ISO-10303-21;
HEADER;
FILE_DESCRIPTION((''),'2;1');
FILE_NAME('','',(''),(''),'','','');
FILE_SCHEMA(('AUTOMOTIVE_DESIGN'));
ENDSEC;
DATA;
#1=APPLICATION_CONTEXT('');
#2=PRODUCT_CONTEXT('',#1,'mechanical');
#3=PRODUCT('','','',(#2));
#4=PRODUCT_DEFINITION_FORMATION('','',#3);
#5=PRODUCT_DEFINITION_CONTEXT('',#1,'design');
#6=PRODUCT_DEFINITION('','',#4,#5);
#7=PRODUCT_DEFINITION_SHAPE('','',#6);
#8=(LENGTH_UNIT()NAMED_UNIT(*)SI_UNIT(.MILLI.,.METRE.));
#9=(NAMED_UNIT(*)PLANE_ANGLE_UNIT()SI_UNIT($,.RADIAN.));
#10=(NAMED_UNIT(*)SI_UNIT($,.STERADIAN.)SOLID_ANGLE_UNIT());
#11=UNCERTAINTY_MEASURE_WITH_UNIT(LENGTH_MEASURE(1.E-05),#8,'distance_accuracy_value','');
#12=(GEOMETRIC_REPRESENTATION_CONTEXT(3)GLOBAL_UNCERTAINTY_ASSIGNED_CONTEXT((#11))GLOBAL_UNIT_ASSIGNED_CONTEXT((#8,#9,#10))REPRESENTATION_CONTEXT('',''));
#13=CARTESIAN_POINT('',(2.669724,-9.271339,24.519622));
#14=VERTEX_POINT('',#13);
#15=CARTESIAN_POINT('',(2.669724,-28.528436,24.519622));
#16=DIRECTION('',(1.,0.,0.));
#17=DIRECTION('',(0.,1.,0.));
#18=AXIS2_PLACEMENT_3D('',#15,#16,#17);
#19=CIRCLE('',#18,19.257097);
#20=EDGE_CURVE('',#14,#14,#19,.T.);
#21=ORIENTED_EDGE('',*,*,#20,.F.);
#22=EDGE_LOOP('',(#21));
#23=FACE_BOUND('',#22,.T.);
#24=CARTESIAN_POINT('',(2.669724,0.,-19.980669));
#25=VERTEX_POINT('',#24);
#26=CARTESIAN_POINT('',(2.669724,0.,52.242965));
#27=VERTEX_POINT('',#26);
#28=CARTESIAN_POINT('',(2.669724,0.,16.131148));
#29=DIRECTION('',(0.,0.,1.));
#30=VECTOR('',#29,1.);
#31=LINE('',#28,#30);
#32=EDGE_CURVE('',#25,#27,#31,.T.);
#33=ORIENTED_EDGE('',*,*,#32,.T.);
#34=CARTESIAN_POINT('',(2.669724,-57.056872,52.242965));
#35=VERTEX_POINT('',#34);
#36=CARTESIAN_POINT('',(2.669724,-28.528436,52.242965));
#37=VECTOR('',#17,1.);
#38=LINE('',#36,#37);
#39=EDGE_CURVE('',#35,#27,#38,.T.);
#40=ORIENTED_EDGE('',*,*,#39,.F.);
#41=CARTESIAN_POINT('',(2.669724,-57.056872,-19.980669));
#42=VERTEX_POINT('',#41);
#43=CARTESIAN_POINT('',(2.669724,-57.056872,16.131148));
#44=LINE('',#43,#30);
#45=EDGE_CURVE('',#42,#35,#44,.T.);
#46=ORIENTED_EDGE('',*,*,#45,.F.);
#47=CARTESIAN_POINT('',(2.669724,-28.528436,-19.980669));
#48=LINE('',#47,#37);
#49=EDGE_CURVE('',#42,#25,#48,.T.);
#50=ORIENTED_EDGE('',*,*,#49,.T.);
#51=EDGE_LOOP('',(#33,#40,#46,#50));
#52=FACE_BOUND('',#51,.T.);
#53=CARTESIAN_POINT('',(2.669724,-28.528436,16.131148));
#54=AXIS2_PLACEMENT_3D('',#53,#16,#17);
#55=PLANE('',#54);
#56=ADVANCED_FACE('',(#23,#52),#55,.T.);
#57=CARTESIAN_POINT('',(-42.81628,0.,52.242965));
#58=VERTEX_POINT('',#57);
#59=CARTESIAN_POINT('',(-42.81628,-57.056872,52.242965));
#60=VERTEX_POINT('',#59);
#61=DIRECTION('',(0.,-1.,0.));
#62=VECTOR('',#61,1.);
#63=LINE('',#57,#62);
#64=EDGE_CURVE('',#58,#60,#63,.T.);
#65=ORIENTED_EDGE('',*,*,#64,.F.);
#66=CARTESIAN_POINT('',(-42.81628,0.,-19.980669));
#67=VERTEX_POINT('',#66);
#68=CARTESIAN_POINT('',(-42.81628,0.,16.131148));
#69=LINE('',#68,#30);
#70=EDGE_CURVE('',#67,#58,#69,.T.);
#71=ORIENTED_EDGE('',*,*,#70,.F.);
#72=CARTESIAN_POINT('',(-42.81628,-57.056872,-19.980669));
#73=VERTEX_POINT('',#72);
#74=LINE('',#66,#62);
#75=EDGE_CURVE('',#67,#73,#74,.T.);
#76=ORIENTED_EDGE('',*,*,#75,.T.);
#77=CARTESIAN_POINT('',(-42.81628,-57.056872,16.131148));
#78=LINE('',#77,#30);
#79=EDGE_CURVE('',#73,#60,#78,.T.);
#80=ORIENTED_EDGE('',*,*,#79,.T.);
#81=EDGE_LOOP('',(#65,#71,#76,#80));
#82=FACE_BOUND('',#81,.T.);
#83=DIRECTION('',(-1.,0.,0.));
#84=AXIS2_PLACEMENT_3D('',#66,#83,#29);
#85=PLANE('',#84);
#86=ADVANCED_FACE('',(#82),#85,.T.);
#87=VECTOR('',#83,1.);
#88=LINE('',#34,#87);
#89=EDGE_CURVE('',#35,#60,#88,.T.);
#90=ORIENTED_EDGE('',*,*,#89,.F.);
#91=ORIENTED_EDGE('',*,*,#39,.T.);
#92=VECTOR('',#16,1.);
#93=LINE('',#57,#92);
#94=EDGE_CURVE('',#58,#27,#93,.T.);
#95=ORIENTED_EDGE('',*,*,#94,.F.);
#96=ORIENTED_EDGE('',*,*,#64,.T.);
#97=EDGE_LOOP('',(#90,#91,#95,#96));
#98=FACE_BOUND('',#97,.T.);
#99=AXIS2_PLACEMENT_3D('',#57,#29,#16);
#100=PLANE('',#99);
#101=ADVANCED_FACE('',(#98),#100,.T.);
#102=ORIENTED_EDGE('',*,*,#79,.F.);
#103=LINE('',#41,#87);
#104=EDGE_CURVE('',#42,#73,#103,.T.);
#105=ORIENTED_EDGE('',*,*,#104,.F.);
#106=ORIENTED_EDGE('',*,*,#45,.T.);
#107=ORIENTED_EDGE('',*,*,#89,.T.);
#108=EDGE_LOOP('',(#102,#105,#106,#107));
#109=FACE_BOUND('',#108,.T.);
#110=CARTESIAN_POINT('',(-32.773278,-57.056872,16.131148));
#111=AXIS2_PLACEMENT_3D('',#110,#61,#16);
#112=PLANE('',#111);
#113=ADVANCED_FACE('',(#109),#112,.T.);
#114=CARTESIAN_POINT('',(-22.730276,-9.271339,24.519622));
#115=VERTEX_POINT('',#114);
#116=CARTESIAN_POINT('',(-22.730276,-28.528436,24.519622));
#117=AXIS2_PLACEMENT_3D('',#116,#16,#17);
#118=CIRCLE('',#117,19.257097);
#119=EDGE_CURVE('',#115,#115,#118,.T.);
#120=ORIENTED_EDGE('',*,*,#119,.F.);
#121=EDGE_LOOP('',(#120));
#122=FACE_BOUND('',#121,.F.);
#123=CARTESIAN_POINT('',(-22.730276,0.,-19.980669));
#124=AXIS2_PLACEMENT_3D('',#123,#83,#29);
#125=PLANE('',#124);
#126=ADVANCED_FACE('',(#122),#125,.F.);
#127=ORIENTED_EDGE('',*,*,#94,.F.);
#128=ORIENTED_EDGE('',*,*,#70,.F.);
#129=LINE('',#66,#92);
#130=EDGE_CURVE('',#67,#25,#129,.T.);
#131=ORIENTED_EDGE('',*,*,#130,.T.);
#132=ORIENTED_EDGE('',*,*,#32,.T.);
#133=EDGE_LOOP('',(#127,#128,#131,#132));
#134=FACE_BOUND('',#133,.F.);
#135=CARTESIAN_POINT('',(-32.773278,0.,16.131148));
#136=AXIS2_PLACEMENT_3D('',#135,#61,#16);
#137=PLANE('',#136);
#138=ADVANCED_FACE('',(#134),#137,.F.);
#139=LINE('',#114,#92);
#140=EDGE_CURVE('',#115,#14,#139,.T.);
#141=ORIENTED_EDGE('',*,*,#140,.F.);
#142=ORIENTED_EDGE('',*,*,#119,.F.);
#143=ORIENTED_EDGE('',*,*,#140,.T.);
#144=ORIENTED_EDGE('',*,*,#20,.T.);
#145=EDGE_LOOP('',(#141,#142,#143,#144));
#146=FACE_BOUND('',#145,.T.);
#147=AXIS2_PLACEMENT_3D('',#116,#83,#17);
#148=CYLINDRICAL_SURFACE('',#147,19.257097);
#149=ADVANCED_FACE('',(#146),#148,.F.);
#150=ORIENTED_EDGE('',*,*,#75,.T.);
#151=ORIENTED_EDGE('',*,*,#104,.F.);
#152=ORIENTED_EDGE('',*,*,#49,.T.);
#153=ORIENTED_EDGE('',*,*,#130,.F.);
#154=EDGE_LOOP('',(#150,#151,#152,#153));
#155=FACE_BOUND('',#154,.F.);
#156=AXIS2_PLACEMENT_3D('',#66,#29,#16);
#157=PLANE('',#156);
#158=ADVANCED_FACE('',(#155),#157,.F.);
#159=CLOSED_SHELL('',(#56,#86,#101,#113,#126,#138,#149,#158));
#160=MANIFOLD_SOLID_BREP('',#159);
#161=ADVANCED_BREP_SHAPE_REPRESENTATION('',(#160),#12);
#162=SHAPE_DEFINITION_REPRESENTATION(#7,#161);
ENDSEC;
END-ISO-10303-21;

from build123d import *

# Parameters (mm, degrees)
F0_W     = 20.086005
F0_H     = 72.223634
F1_DEPTH = 57.056872
F2_W     = 57.056872
F2_H     = 72.223634
F2_R     = 19.257097
F3_DEPTH = 25.4


with BuildPart() as f1:
    # F0 (on Front) → F1 (new body)
    with BuildSketch(Plane.XZ):
        with Locations((-32.773278, 16.131148)):
            Rectangle(F0_W, F0_H)
    extrude(amount=F1_DEPTH)

    # F2 (on face) → F3 (join)
    with BuildSketch(Plane.YZ.offset(-22.730276)):
        with Locations((-28.528436, 16.131148)):
            Rectangle(F2_W, F2_H)
        with Locations((-28.528436, 24.519622)):
            Circle(F2_R, mode=Mode.SUBTRACT)
    extrude(amount=F3_DEPTH)


solid = f1.part
